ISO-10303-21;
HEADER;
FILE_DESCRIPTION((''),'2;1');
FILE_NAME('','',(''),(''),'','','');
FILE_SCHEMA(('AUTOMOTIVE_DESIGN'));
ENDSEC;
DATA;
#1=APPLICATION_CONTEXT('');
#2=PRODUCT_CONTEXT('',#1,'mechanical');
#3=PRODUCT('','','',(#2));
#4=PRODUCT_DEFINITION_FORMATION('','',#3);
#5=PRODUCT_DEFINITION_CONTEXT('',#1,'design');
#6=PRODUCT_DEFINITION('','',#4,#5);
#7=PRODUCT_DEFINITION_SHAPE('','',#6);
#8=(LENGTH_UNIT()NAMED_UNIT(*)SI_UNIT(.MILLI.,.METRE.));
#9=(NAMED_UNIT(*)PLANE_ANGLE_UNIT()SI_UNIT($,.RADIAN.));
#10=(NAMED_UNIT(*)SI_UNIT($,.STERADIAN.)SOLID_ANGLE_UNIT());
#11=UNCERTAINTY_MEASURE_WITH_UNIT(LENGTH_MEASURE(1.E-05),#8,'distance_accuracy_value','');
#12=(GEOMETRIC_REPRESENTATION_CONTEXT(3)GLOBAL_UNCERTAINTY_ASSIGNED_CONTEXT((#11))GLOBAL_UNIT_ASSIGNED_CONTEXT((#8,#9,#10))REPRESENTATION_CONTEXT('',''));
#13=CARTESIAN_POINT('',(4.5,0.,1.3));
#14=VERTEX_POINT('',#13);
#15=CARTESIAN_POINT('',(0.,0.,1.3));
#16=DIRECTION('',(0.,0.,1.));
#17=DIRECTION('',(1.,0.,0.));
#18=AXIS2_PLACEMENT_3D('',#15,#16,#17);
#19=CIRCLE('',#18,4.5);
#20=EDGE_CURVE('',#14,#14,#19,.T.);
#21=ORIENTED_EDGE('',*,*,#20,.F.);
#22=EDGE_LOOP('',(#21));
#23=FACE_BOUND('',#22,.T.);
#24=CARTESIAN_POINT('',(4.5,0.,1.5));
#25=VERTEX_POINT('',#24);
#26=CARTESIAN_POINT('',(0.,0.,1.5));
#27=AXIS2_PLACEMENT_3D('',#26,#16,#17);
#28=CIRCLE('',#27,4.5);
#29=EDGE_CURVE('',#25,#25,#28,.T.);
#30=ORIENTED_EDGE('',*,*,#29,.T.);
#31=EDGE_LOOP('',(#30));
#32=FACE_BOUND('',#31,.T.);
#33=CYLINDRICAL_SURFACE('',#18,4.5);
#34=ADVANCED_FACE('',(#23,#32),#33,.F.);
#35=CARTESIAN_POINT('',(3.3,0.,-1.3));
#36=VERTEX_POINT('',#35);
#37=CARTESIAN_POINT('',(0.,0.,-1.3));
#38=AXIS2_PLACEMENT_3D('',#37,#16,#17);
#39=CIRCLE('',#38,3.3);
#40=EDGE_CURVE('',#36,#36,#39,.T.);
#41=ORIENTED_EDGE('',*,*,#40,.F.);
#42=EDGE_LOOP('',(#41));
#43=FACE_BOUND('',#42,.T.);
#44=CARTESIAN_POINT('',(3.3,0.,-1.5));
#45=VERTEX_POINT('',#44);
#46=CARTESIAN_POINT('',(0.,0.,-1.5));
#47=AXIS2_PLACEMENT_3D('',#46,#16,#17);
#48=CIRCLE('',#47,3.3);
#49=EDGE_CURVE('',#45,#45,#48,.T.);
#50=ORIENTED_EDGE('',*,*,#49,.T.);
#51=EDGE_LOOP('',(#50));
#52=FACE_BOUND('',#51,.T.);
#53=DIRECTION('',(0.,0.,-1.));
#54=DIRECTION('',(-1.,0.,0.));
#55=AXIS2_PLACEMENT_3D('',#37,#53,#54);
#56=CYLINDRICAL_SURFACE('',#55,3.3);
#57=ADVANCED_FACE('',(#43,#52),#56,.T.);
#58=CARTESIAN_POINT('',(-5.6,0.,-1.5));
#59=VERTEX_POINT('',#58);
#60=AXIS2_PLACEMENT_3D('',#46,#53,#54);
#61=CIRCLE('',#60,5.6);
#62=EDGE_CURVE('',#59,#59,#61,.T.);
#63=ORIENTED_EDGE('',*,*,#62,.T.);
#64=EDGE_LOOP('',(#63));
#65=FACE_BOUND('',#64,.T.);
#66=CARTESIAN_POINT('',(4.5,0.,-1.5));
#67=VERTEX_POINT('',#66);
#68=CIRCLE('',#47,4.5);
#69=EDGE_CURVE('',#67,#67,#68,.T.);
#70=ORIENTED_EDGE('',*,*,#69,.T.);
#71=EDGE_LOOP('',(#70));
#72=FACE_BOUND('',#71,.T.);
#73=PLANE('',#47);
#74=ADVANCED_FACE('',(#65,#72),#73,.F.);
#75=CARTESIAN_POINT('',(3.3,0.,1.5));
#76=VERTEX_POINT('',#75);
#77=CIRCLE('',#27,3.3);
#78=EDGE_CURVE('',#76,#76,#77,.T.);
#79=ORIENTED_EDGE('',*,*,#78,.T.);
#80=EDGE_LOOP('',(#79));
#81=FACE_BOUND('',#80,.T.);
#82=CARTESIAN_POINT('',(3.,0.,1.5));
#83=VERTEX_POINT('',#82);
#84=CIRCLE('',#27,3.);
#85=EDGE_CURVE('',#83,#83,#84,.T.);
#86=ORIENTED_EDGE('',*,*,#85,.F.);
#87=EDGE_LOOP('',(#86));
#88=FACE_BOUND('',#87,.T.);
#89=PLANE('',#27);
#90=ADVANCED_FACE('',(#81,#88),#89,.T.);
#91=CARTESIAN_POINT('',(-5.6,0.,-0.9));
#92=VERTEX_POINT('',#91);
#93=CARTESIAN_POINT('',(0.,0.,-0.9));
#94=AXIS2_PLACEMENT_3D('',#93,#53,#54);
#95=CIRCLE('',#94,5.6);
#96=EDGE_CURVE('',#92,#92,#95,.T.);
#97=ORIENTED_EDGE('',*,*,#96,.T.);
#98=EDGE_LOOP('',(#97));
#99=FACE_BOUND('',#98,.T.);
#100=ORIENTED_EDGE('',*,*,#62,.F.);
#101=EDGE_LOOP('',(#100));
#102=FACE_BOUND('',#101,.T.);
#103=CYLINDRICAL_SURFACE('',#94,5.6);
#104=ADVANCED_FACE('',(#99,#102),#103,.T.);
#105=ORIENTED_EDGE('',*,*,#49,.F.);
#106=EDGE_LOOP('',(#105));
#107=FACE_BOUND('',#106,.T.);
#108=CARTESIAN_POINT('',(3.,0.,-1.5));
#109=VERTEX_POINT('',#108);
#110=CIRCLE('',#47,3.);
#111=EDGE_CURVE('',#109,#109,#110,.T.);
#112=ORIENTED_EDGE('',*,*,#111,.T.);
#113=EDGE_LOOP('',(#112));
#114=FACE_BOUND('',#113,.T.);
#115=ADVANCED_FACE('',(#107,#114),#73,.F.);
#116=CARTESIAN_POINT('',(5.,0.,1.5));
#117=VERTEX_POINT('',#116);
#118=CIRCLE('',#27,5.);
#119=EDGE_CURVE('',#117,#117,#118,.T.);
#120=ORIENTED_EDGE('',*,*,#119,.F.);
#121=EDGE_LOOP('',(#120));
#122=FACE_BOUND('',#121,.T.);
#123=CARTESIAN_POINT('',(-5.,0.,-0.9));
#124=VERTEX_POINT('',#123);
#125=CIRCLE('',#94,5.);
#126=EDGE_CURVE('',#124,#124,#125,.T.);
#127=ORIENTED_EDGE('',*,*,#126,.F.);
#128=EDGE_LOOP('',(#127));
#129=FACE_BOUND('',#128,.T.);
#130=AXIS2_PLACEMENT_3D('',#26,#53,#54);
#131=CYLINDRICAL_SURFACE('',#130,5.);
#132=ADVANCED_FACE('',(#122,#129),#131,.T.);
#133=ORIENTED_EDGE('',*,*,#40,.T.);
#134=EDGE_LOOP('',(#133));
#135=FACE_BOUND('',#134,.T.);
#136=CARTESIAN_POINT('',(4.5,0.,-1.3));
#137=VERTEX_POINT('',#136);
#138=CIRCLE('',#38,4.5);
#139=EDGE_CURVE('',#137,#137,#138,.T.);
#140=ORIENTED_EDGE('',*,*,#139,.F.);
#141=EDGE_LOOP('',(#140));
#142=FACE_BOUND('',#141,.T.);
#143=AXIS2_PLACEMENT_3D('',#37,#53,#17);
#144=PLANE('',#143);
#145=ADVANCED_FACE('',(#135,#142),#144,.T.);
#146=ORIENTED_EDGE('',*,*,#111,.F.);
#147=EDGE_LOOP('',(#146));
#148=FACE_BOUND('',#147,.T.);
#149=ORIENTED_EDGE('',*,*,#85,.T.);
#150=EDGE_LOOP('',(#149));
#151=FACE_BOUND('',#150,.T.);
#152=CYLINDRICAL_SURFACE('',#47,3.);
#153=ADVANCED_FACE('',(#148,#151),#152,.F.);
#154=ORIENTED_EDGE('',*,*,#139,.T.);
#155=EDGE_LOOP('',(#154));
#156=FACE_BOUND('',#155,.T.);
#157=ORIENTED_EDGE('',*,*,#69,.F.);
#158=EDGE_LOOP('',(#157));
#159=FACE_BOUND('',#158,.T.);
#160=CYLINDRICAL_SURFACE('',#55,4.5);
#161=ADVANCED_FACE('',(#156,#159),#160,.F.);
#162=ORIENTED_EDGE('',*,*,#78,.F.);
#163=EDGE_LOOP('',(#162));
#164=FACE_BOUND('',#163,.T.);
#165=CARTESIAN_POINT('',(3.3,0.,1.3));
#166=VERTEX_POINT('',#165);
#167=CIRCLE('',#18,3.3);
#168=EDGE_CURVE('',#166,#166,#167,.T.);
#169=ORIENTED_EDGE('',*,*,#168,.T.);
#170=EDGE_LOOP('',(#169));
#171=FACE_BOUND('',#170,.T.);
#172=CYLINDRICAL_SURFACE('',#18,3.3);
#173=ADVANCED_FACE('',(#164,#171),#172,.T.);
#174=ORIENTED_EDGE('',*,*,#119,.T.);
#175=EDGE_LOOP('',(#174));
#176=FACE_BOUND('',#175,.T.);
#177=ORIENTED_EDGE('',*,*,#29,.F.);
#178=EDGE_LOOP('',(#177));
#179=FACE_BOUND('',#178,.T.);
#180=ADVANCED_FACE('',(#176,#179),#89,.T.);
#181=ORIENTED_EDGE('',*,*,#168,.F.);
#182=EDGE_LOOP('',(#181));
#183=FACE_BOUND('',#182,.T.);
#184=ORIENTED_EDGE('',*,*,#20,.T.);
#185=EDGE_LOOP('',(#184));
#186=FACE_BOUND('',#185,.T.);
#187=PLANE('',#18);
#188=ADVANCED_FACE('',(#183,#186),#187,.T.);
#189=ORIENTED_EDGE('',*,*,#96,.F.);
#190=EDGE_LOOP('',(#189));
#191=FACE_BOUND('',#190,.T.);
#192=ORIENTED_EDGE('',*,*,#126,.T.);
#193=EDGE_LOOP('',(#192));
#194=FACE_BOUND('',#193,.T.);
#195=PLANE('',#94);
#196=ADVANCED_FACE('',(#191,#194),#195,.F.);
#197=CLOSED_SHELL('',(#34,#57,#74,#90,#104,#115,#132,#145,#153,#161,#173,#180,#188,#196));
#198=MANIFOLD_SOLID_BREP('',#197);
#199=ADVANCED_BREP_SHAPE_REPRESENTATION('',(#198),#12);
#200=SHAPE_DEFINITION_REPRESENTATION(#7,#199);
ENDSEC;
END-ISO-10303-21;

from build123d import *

# Parameters (mm, degrees)
SKETCH_1_R          = 5
EXTRUDE_1_DEPTH     = 1.5
SKETCH_4_R          = 5.6
EXTRUDE_2_DEPTH     = 0.6
SKETCH_2_R          = 3
CUT_EXTRUDE_1_DEPTH = 4
SKETCH_3_R          = 4.5
SKETCH_3_R_2        = 3.3
CUT_EXTRUDE_2_DEPTH = 0.2


with BuildPart() as part:
    # 草圖1 → 填料-伸長1 (new body, symmetric)
    with BuildSketch(Plane.XY):
        Circle(SKETCH_1_R)
    extrude(amount=EXTRUDE_1_DEPTH, both=True)

    # 草圖4 → 填料-伸長2 (add)
    with BuildSketch(Plane(origin=(0, 0, -1.5), x_dir=(-1, 0, 0), z_dir=(0, 0, -1))):
        Circle(SKETCH_4_R)
    extrude(amount=-EXTRUDE_2_DEPTH)

    # 草圖2 → 除料-伸長1 (cut, through all)
    with BuildSketch(Plane.XY.offset(1.5)):
        Circle(SKETCH_2_R)
    extrude(amount=-CUT_EXTRUDE_1_DEPTH, mode=Mode.SUBTRACT)

    # 草圖3 → 除料-伸長2 (cut)
    with BuildSketch(Plane.XY.offset(1.5)):
        Circle(SKETCH_3_R)
        Circle(SKETCH_3_R_2, mode=Mode.SUBTRACT)
    cut_extrude_2 = extrude(amount=-CUT_EXTRUDE_2_DEPTH, mode=Mode.SUBTRACT)

    # 鏡射1: 除料-伸長2 across plane
    add(cut_extrude_2.mirror(Plane.XY), mode=Mode.SUBTRACT)


solid = part.part
